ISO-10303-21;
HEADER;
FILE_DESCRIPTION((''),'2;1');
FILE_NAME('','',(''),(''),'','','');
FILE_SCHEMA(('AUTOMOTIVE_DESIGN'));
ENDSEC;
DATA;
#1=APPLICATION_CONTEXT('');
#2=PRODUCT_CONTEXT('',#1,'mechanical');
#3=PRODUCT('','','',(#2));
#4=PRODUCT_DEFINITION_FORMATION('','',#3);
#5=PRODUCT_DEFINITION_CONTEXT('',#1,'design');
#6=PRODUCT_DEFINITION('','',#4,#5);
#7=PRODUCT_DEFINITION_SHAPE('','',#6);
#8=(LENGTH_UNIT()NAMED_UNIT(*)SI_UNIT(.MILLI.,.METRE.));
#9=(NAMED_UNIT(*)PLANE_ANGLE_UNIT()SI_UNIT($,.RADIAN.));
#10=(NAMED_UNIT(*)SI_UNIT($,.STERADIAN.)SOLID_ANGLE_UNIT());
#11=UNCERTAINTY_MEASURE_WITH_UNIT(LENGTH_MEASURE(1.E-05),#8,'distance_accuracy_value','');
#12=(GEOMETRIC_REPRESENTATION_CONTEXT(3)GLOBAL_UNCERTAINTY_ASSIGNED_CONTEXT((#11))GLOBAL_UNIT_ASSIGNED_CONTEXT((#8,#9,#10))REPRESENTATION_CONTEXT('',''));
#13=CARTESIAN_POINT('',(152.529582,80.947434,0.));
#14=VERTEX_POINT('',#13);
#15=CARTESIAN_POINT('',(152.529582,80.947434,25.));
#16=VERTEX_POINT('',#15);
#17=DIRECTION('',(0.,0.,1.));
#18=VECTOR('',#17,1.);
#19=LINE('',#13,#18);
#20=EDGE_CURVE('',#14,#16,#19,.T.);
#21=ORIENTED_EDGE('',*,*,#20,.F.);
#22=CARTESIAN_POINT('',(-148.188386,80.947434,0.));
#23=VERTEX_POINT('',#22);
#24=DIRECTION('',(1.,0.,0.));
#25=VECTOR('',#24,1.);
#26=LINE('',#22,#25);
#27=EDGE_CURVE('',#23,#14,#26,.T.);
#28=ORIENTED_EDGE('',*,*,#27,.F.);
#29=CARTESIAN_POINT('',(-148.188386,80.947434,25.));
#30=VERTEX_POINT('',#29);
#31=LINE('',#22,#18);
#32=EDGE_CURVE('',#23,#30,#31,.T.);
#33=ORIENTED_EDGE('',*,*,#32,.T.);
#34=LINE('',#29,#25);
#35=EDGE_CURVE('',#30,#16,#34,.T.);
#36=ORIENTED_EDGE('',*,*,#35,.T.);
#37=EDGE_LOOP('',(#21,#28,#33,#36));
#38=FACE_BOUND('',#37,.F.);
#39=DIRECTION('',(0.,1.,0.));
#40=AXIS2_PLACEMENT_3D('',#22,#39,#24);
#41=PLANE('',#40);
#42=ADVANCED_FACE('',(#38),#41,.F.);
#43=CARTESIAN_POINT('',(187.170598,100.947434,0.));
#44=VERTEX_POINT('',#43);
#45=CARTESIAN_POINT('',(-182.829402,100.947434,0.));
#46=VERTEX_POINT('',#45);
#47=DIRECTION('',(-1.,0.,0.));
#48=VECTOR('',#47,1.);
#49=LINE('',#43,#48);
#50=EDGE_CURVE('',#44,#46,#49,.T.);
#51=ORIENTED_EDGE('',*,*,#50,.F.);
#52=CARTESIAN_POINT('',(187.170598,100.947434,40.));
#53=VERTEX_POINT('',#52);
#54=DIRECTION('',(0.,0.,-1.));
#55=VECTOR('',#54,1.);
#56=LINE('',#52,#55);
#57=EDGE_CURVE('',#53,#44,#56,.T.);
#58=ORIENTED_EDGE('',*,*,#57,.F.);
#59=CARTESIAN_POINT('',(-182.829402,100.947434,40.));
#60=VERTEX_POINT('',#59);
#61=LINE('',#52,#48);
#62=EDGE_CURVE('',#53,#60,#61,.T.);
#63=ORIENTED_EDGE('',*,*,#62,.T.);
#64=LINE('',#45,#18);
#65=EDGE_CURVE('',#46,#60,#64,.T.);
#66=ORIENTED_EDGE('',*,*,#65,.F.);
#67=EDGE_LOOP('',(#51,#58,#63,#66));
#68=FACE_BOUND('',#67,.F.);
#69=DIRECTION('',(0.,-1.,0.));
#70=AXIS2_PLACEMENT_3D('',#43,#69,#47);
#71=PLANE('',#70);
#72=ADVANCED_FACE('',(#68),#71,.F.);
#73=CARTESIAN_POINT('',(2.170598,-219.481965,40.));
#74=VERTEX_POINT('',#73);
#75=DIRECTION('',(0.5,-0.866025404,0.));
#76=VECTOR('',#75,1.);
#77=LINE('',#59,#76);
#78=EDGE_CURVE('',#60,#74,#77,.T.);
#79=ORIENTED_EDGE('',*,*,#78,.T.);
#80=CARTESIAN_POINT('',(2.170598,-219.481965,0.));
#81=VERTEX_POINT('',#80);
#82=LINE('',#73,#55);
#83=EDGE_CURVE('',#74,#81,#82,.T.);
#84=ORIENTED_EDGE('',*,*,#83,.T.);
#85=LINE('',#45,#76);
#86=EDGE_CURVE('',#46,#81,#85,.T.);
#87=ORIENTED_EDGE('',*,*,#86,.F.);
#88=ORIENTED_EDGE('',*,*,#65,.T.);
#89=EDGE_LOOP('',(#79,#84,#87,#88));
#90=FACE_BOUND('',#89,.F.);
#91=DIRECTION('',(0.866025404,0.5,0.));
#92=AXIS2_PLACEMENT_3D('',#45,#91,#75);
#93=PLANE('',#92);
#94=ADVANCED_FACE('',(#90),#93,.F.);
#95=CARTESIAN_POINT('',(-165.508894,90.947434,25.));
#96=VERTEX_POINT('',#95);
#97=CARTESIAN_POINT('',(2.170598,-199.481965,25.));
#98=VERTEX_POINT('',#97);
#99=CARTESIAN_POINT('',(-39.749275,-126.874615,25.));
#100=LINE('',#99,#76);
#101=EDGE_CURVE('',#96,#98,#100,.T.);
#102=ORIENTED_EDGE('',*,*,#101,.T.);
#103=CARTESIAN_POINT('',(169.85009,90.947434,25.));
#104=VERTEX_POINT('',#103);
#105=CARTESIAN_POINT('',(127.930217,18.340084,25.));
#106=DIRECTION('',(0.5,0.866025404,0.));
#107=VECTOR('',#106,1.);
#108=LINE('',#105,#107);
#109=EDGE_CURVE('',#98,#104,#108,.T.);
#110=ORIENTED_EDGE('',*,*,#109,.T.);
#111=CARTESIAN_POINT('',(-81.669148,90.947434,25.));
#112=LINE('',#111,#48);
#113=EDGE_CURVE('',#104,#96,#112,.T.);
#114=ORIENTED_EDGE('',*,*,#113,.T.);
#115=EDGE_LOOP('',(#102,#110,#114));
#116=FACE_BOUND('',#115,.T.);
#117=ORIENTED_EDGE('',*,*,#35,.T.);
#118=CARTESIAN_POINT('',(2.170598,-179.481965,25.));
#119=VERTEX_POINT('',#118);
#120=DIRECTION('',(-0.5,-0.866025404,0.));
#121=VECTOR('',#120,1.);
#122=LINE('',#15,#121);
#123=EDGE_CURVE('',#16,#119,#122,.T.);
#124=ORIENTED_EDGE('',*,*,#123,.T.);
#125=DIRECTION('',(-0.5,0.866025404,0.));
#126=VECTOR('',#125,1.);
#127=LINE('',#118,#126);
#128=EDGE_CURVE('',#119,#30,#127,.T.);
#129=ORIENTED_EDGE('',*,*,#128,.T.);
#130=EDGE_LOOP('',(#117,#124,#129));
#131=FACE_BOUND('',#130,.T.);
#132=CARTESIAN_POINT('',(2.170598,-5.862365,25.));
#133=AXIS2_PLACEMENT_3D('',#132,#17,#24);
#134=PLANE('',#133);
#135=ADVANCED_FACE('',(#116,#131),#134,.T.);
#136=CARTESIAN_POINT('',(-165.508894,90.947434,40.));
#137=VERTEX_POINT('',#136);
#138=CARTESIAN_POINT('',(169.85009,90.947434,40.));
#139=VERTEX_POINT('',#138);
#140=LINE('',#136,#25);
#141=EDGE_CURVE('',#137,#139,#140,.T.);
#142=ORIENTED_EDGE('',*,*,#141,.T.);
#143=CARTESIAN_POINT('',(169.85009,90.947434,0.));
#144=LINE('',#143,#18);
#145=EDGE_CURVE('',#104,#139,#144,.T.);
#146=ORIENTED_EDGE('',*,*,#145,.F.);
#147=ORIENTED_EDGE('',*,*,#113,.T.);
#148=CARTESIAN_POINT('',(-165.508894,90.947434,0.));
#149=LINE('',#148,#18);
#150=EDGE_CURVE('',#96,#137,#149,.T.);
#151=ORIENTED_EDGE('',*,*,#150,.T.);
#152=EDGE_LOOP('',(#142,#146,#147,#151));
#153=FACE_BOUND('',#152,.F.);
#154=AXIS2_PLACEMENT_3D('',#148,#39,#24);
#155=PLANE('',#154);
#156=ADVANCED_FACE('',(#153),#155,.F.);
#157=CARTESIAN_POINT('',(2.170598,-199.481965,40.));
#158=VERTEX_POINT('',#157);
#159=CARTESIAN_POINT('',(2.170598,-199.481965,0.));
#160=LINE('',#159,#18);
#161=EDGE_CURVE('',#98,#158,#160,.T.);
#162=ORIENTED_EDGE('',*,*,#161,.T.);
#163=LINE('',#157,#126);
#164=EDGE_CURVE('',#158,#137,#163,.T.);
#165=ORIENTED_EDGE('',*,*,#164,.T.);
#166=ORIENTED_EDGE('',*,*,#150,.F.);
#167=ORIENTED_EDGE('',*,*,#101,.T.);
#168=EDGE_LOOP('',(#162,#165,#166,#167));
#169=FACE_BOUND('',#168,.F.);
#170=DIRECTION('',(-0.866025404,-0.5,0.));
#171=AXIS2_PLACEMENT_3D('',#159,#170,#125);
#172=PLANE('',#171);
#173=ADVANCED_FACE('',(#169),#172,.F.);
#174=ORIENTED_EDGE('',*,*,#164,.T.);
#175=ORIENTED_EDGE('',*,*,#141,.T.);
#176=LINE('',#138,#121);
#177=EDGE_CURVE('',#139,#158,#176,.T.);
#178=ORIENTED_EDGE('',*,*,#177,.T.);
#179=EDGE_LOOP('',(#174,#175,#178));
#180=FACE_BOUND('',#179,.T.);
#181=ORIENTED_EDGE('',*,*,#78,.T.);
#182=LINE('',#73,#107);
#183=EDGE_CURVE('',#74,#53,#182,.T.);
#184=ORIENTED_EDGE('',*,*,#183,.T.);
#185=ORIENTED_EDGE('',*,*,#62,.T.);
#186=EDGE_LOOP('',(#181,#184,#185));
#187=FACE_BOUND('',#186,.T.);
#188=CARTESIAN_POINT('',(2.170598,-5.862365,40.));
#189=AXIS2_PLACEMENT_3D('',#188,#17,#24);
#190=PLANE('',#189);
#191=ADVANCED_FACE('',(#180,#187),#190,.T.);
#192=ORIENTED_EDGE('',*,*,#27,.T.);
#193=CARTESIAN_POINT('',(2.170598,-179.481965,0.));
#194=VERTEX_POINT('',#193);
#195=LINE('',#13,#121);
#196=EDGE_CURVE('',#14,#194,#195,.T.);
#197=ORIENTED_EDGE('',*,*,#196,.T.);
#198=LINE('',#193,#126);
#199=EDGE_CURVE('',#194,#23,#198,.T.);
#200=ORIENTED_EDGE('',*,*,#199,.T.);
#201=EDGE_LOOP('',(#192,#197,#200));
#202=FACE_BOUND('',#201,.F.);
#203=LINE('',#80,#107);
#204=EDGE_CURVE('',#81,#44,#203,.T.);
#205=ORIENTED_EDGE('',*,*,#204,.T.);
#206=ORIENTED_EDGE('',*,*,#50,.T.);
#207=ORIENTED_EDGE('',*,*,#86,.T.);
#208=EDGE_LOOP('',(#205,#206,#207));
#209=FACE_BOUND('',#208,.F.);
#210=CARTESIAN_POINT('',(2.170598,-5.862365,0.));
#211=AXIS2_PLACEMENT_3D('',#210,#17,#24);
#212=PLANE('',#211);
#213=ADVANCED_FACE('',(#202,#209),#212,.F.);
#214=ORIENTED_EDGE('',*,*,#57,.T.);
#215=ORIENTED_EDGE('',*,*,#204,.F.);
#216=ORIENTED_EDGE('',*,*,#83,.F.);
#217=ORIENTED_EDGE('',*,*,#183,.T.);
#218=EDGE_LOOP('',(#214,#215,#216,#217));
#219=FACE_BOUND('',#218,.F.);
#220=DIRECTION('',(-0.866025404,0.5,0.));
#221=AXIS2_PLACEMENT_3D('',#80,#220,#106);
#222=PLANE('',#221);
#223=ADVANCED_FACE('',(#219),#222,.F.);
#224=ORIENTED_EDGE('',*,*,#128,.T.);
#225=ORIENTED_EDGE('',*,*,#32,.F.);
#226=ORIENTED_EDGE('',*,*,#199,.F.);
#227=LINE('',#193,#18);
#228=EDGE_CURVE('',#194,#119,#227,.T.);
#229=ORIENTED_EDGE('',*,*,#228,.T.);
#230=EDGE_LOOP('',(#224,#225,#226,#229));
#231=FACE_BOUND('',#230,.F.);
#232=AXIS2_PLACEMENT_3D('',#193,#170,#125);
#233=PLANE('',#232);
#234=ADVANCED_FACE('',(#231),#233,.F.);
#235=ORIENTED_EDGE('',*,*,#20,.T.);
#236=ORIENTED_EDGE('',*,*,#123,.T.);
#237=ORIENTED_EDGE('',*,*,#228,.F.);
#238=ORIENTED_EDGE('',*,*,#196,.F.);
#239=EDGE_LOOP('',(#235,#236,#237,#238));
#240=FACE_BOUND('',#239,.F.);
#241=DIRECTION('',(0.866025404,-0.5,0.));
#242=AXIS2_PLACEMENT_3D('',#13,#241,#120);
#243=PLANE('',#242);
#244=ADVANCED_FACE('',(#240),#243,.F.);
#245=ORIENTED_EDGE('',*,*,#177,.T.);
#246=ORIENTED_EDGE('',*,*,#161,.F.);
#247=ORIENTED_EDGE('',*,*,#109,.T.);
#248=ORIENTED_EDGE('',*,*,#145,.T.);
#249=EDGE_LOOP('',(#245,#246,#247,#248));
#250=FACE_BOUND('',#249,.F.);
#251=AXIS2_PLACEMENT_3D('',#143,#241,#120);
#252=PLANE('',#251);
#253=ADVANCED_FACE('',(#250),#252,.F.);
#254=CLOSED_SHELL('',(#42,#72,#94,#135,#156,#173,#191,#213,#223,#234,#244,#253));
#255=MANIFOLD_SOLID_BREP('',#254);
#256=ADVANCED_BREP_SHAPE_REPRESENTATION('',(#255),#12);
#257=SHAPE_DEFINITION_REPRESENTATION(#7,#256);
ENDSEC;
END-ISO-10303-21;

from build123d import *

# Parameters (mm, degrees)
F1_DEPTH = 25
F2_DEPTH = 40


with BuildPart() as f1:
    # F0 (on Top) → F1 (new body)
    with BuildSketch(Plane.XY):
        Polygon((187.1705980145, 100.9474343061), (-182.8294019855, 100.9474343061), (2.1705980145, -219.4819650941), align=None)
        Polygon((2.1705980145, -199.4819650941), (-165.5088939098, 90.9474343061), (169.8500899388, 90.9474343061), align=None, mode=Mode.SUBTRACT)
        Polygon((169.8500899388, 90.9474343061), (-165.5088939098, 90.9474343061), (2.1705980145, -199.4819650941), align=None)
        Polygon((152.5295818631, 80.9474343061), (2.1705980145, -179.4819650941), (-148.1883858341, 80.9474343061), align=None, mode=Mode.SUBTRACT)
    extrude(amount=F1_DEPTH)

    # F0 (on Top) → F2 (join)
    with BuildSketch(Plane.XY):
        Polygon((187.1705980145, 100.9474343061), (-182.8294019855, 100.9474343061), (2.1705980145, -219.4819650941), align=None)
        Polygon((2.1705980145, -199.4819650941), (-165.5088939098, 90.9474343061), (169.8500899388, 90.9474343061), align=None, mode=Mode.SUBTRACT)
    extrude(amount=F2_DEPTH)


solid = f1.part
